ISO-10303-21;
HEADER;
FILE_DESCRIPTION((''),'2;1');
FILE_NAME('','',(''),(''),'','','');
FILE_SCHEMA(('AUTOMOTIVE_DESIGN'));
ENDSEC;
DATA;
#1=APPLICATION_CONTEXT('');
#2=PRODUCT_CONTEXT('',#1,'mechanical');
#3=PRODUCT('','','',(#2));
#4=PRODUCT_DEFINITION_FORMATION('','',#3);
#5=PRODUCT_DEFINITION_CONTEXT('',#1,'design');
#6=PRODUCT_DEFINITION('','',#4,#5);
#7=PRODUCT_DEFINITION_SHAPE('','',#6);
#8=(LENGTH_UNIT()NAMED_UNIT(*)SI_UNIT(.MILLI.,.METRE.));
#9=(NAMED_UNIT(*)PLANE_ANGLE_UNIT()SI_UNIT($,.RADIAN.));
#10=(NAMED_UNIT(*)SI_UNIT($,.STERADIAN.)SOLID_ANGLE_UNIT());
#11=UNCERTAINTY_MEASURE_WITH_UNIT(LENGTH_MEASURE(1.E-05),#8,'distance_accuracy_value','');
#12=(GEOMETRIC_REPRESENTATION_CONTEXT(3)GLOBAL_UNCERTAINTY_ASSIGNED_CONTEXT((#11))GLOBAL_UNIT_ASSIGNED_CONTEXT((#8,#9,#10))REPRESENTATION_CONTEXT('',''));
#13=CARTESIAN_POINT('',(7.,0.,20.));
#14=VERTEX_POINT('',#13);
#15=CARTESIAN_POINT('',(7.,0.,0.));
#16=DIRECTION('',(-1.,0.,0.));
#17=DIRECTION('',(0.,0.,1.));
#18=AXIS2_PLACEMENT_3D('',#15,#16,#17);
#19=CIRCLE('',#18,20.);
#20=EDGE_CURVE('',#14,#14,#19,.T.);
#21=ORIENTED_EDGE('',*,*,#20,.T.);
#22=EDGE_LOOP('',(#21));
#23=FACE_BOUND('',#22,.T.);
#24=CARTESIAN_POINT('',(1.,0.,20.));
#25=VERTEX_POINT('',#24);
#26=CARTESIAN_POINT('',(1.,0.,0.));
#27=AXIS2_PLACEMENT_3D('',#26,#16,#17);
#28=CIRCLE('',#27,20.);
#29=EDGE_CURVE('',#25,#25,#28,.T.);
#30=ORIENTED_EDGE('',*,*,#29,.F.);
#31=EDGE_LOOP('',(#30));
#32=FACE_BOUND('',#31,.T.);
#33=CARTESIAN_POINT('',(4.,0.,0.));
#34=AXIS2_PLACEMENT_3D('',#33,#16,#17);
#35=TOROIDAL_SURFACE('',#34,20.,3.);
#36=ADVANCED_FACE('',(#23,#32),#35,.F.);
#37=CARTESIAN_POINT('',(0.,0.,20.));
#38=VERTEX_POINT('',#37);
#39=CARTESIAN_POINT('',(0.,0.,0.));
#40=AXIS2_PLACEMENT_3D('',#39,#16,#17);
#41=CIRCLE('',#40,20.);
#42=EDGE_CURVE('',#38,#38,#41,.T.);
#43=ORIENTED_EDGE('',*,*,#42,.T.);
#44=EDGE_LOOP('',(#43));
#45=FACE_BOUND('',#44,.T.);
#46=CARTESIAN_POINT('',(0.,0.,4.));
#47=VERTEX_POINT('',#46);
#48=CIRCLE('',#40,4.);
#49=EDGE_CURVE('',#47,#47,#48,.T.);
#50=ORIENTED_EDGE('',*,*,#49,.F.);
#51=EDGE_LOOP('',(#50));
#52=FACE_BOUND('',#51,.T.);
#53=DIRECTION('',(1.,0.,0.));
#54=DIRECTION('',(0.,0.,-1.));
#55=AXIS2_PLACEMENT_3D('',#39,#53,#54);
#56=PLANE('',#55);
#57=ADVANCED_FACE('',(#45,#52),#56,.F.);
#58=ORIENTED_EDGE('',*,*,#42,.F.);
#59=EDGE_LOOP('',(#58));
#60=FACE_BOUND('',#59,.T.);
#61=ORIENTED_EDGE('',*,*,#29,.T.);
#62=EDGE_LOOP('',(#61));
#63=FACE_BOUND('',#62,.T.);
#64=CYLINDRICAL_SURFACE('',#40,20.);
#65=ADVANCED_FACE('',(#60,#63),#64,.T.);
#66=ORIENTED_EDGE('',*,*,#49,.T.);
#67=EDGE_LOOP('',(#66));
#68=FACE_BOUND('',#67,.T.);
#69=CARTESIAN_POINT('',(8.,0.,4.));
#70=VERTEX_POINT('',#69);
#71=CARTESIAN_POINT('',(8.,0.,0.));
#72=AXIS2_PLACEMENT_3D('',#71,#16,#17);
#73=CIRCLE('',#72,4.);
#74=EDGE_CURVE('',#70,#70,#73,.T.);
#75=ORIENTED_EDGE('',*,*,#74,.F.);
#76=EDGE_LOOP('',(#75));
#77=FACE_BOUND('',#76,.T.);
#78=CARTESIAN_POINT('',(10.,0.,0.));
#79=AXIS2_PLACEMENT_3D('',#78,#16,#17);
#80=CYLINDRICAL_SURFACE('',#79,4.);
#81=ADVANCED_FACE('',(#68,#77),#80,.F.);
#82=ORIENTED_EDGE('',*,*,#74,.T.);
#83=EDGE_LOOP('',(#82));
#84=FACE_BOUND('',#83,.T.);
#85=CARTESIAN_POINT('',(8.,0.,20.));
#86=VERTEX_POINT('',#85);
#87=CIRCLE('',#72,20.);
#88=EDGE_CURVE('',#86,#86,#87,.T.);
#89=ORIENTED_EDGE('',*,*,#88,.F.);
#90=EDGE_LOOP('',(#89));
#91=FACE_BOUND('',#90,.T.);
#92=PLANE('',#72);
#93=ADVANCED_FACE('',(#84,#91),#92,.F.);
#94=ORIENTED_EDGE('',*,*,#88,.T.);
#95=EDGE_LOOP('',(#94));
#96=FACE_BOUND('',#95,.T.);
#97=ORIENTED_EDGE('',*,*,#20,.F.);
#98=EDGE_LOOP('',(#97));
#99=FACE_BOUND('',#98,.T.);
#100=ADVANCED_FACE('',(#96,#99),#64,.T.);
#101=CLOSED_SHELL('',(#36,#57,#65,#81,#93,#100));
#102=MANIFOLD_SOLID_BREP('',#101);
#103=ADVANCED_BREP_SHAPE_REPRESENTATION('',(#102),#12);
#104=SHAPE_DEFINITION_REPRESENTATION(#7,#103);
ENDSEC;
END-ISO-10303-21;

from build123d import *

# Parameters (mm, degrees)
SKETCH2_R          = 4
CUT_EXTRUDE1_DEPTH = 10


with BuildPart() as part:
    # Sketch1 → Revolve1 (revolve)
    with BuildSketch(Plane.XY, mode=Mode.PRIVATE) as revolve1_sk:
        with BuildLine():
            Line((0, 0), (0, 20))
            Line((0, 20), (1, 20))
            ThreePointArc((1, 20), (4, 17), (7, 20))
            Line((7, 20), (8, 20))
            Line((8, 20), (8, 0))
            Line((8, 0), (0, 0))
        make_face()
    revolve(revolve1_sk.sketch.rotate(Axis((0, 0, 0), (1, 0, 0)), 90), axis=Axis((0, 0, 0), (1, 0, 0)))

    # Sketch2 → Cut-Extrude1 (cut)
    with BuildSketch(Plane.ZY):
        Circle(SKETCH2_R)
    extrude(amount=-CUT_EXTRUDE1_DEPTH, mode=Mode.SUBTRACT)


solid = part.part
